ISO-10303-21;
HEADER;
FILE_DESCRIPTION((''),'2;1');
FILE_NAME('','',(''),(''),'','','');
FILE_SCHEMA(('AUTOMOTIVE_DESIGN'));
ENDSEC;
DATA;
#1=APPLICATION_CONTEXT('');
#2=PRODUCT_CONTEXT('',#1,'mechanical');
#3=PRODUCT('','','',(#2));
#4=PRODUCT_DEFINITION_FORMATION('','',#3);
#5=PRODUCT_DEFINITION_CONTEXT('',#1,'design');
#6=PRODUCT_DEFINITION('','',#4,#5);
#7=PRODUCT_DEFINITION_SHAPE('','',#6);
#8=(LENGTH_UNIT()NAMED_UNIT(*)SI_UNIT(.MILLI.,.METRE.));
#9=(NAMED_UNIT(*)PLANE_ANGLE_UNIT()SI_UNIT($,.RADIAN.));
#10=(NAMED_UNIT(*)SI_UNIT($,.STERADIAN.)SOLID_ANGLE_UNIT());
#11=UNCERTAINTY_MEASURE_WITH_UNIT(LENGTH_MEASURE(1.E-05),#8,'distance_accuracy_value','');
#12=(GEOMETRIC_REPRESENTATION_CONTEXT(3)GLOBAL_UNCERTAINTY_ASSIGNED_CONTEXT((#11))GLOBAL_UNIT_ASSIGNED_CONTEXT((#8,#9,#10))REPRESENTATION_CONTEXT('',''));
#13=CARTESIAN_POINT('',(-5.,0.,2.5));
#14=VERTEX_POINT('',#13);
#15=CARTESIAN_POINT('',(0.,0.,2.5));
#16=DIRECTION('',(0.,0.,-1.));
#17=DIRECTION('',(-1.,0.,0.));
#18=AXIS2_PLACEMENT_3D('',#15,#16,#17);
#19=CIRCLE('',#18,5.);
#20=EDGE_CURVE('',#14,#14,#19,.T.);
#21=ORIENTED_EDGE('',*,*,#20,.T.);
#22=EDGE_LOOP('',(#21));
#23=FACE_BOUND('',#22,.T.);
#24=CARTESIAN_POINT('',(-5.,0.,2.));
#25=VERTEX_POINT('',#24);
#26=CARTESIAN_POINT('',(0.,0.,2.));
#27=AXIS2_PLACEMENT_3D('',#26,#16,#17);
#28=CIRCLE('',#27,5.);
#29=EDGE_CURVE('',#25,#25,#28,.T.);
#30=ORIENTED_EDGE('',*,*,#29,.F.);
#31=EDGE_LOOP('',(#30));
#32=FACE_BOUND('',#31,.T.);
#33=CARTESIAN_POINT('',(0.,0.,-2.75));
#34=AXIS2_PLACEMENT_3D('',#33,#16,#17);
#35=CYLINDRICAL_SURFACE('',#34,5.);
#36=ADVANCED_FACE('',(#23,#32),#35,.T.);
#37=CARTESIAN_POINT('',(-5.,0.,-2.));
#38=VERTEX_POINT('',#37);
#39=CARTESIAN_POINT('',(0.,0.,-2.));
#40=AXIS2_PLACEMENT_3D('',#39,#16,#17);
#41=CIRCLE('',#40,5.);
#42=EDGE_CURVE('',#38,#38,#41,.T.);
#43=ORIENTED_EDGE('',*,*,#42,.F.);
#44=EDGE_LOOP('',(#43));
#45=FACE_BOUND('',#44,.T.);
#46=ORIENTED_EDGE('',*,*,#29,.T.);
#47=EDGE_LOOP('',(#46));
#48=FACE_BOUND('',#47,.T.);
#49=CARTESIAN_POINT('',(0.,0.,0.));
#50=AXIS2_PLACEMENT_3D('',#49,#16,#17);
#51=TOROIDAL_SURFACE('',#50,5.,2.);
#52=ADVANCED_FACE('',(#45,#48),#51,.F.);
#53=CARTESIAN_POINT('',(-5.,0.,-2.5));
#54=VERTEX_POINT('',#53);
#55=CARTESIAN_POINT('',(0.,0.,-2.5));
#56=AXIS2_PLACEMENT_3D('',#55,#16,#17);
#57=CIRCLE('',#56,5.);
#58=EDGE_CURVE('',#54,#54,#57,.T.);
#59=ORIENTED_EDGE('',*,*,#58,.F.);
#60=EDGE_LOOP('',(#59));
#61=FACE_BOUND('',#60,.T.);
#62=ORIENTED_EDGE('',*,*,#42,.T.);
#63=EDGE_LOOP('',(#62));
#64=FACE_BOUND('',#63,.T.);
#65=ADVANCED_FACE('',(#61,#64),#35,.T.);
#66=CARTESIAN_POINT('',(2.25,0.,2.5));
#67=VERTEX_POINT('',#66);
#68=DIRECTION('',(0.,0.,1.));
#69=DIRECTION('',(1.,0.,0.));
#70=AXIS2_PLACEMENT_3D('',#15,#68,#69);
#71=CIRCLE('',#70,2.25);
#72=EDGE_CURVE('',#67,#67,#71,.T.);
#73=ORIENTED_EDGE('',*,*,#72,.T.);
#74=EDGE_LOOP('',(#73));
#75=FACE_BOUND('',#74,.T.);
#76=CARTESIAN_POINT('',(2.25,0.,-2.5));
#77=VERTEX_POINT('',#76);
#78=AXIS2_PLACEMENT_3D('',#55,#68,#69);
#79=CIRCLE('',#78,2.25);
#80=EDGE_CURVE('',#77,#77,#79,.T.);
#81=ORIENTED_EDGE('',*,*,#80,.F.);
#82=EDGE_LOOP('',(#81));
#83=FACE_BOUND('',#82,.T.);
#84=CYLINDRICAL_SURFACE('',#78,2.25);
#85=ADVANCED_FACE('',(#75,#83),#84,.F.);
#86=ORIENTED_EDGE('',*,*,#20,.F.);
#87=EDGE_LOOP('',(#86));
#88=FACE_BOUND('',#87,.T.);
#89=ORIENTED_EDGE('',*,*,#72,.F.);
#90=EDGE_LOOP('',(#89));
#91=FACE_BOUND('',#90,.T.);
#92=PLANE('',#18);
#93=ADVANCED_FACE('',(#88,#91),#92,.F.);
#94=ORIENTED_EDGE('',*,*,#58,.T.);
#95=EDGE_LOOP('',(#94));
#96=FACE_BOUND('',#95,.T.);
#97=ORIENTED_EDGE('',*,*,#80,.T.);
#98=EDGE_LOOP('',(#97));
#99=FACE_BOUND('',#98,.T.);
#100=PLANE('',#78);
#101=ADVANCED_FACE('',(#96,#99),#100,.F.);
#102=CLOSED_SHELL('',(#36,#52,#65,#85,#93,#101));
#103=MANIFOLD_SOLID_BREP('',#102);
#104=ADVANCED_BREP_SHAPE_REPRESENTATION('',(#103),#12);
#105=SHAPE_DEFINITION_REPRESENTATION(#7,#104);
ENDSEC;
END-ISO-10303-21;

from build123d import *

# Parameters (mm, degrees)
CUT_EXTRUDE_1_DEPTH      = 8.5
CUT_EXTRUDE_1_DEPTH_BACK = 8.5
SKETCH_2_R               = 2.25


with BuildPart() as part:
    # 草图1 → 旋转5 (revolve)
    with BuildSketch(Plane(origin=(0, 0, 0), x_dir=(1, 0, 0), z_dir=(0, 1, 0)), mode=Mode.PRIVATE) as revolve_5_sk:
        with BuildLine():
            Line((0, -2.5), (5, -2.5))
            Line((5, -2.5), (5, -2))
            ThreePointArc((5, -2), (3, 0), (5, 2))
            Line((5, 2), (5, 2.5))
            Line((5, 2.5), (0, 2.5))
            Line((0, 2.5), (0, -2.5))
        make_face()
    revolve(revolve_5_sk.sketch.rotate(Axis((0, 0, -2.75), (0, 0, 1)), 180), axis=Axis((0, 0, -2.75), (0, 0, 1)))

    # 草图2 → 切除-拉伸1 (cut, two sides: drawn at the far end of the back side and taken through both)
    with BuildSketch(Plane.XY.offset(-CUT_EXTRUDE_1_DEPTH_BACK)):
        Circle(SKETCH_2_R)
    extrude(amount=CUT_EXTRUDE_1_DEPTH + CUT_EXTRUDE_1_DEPTH_BACK, mode=Mode.SUBTRACT)


solid = part.part
